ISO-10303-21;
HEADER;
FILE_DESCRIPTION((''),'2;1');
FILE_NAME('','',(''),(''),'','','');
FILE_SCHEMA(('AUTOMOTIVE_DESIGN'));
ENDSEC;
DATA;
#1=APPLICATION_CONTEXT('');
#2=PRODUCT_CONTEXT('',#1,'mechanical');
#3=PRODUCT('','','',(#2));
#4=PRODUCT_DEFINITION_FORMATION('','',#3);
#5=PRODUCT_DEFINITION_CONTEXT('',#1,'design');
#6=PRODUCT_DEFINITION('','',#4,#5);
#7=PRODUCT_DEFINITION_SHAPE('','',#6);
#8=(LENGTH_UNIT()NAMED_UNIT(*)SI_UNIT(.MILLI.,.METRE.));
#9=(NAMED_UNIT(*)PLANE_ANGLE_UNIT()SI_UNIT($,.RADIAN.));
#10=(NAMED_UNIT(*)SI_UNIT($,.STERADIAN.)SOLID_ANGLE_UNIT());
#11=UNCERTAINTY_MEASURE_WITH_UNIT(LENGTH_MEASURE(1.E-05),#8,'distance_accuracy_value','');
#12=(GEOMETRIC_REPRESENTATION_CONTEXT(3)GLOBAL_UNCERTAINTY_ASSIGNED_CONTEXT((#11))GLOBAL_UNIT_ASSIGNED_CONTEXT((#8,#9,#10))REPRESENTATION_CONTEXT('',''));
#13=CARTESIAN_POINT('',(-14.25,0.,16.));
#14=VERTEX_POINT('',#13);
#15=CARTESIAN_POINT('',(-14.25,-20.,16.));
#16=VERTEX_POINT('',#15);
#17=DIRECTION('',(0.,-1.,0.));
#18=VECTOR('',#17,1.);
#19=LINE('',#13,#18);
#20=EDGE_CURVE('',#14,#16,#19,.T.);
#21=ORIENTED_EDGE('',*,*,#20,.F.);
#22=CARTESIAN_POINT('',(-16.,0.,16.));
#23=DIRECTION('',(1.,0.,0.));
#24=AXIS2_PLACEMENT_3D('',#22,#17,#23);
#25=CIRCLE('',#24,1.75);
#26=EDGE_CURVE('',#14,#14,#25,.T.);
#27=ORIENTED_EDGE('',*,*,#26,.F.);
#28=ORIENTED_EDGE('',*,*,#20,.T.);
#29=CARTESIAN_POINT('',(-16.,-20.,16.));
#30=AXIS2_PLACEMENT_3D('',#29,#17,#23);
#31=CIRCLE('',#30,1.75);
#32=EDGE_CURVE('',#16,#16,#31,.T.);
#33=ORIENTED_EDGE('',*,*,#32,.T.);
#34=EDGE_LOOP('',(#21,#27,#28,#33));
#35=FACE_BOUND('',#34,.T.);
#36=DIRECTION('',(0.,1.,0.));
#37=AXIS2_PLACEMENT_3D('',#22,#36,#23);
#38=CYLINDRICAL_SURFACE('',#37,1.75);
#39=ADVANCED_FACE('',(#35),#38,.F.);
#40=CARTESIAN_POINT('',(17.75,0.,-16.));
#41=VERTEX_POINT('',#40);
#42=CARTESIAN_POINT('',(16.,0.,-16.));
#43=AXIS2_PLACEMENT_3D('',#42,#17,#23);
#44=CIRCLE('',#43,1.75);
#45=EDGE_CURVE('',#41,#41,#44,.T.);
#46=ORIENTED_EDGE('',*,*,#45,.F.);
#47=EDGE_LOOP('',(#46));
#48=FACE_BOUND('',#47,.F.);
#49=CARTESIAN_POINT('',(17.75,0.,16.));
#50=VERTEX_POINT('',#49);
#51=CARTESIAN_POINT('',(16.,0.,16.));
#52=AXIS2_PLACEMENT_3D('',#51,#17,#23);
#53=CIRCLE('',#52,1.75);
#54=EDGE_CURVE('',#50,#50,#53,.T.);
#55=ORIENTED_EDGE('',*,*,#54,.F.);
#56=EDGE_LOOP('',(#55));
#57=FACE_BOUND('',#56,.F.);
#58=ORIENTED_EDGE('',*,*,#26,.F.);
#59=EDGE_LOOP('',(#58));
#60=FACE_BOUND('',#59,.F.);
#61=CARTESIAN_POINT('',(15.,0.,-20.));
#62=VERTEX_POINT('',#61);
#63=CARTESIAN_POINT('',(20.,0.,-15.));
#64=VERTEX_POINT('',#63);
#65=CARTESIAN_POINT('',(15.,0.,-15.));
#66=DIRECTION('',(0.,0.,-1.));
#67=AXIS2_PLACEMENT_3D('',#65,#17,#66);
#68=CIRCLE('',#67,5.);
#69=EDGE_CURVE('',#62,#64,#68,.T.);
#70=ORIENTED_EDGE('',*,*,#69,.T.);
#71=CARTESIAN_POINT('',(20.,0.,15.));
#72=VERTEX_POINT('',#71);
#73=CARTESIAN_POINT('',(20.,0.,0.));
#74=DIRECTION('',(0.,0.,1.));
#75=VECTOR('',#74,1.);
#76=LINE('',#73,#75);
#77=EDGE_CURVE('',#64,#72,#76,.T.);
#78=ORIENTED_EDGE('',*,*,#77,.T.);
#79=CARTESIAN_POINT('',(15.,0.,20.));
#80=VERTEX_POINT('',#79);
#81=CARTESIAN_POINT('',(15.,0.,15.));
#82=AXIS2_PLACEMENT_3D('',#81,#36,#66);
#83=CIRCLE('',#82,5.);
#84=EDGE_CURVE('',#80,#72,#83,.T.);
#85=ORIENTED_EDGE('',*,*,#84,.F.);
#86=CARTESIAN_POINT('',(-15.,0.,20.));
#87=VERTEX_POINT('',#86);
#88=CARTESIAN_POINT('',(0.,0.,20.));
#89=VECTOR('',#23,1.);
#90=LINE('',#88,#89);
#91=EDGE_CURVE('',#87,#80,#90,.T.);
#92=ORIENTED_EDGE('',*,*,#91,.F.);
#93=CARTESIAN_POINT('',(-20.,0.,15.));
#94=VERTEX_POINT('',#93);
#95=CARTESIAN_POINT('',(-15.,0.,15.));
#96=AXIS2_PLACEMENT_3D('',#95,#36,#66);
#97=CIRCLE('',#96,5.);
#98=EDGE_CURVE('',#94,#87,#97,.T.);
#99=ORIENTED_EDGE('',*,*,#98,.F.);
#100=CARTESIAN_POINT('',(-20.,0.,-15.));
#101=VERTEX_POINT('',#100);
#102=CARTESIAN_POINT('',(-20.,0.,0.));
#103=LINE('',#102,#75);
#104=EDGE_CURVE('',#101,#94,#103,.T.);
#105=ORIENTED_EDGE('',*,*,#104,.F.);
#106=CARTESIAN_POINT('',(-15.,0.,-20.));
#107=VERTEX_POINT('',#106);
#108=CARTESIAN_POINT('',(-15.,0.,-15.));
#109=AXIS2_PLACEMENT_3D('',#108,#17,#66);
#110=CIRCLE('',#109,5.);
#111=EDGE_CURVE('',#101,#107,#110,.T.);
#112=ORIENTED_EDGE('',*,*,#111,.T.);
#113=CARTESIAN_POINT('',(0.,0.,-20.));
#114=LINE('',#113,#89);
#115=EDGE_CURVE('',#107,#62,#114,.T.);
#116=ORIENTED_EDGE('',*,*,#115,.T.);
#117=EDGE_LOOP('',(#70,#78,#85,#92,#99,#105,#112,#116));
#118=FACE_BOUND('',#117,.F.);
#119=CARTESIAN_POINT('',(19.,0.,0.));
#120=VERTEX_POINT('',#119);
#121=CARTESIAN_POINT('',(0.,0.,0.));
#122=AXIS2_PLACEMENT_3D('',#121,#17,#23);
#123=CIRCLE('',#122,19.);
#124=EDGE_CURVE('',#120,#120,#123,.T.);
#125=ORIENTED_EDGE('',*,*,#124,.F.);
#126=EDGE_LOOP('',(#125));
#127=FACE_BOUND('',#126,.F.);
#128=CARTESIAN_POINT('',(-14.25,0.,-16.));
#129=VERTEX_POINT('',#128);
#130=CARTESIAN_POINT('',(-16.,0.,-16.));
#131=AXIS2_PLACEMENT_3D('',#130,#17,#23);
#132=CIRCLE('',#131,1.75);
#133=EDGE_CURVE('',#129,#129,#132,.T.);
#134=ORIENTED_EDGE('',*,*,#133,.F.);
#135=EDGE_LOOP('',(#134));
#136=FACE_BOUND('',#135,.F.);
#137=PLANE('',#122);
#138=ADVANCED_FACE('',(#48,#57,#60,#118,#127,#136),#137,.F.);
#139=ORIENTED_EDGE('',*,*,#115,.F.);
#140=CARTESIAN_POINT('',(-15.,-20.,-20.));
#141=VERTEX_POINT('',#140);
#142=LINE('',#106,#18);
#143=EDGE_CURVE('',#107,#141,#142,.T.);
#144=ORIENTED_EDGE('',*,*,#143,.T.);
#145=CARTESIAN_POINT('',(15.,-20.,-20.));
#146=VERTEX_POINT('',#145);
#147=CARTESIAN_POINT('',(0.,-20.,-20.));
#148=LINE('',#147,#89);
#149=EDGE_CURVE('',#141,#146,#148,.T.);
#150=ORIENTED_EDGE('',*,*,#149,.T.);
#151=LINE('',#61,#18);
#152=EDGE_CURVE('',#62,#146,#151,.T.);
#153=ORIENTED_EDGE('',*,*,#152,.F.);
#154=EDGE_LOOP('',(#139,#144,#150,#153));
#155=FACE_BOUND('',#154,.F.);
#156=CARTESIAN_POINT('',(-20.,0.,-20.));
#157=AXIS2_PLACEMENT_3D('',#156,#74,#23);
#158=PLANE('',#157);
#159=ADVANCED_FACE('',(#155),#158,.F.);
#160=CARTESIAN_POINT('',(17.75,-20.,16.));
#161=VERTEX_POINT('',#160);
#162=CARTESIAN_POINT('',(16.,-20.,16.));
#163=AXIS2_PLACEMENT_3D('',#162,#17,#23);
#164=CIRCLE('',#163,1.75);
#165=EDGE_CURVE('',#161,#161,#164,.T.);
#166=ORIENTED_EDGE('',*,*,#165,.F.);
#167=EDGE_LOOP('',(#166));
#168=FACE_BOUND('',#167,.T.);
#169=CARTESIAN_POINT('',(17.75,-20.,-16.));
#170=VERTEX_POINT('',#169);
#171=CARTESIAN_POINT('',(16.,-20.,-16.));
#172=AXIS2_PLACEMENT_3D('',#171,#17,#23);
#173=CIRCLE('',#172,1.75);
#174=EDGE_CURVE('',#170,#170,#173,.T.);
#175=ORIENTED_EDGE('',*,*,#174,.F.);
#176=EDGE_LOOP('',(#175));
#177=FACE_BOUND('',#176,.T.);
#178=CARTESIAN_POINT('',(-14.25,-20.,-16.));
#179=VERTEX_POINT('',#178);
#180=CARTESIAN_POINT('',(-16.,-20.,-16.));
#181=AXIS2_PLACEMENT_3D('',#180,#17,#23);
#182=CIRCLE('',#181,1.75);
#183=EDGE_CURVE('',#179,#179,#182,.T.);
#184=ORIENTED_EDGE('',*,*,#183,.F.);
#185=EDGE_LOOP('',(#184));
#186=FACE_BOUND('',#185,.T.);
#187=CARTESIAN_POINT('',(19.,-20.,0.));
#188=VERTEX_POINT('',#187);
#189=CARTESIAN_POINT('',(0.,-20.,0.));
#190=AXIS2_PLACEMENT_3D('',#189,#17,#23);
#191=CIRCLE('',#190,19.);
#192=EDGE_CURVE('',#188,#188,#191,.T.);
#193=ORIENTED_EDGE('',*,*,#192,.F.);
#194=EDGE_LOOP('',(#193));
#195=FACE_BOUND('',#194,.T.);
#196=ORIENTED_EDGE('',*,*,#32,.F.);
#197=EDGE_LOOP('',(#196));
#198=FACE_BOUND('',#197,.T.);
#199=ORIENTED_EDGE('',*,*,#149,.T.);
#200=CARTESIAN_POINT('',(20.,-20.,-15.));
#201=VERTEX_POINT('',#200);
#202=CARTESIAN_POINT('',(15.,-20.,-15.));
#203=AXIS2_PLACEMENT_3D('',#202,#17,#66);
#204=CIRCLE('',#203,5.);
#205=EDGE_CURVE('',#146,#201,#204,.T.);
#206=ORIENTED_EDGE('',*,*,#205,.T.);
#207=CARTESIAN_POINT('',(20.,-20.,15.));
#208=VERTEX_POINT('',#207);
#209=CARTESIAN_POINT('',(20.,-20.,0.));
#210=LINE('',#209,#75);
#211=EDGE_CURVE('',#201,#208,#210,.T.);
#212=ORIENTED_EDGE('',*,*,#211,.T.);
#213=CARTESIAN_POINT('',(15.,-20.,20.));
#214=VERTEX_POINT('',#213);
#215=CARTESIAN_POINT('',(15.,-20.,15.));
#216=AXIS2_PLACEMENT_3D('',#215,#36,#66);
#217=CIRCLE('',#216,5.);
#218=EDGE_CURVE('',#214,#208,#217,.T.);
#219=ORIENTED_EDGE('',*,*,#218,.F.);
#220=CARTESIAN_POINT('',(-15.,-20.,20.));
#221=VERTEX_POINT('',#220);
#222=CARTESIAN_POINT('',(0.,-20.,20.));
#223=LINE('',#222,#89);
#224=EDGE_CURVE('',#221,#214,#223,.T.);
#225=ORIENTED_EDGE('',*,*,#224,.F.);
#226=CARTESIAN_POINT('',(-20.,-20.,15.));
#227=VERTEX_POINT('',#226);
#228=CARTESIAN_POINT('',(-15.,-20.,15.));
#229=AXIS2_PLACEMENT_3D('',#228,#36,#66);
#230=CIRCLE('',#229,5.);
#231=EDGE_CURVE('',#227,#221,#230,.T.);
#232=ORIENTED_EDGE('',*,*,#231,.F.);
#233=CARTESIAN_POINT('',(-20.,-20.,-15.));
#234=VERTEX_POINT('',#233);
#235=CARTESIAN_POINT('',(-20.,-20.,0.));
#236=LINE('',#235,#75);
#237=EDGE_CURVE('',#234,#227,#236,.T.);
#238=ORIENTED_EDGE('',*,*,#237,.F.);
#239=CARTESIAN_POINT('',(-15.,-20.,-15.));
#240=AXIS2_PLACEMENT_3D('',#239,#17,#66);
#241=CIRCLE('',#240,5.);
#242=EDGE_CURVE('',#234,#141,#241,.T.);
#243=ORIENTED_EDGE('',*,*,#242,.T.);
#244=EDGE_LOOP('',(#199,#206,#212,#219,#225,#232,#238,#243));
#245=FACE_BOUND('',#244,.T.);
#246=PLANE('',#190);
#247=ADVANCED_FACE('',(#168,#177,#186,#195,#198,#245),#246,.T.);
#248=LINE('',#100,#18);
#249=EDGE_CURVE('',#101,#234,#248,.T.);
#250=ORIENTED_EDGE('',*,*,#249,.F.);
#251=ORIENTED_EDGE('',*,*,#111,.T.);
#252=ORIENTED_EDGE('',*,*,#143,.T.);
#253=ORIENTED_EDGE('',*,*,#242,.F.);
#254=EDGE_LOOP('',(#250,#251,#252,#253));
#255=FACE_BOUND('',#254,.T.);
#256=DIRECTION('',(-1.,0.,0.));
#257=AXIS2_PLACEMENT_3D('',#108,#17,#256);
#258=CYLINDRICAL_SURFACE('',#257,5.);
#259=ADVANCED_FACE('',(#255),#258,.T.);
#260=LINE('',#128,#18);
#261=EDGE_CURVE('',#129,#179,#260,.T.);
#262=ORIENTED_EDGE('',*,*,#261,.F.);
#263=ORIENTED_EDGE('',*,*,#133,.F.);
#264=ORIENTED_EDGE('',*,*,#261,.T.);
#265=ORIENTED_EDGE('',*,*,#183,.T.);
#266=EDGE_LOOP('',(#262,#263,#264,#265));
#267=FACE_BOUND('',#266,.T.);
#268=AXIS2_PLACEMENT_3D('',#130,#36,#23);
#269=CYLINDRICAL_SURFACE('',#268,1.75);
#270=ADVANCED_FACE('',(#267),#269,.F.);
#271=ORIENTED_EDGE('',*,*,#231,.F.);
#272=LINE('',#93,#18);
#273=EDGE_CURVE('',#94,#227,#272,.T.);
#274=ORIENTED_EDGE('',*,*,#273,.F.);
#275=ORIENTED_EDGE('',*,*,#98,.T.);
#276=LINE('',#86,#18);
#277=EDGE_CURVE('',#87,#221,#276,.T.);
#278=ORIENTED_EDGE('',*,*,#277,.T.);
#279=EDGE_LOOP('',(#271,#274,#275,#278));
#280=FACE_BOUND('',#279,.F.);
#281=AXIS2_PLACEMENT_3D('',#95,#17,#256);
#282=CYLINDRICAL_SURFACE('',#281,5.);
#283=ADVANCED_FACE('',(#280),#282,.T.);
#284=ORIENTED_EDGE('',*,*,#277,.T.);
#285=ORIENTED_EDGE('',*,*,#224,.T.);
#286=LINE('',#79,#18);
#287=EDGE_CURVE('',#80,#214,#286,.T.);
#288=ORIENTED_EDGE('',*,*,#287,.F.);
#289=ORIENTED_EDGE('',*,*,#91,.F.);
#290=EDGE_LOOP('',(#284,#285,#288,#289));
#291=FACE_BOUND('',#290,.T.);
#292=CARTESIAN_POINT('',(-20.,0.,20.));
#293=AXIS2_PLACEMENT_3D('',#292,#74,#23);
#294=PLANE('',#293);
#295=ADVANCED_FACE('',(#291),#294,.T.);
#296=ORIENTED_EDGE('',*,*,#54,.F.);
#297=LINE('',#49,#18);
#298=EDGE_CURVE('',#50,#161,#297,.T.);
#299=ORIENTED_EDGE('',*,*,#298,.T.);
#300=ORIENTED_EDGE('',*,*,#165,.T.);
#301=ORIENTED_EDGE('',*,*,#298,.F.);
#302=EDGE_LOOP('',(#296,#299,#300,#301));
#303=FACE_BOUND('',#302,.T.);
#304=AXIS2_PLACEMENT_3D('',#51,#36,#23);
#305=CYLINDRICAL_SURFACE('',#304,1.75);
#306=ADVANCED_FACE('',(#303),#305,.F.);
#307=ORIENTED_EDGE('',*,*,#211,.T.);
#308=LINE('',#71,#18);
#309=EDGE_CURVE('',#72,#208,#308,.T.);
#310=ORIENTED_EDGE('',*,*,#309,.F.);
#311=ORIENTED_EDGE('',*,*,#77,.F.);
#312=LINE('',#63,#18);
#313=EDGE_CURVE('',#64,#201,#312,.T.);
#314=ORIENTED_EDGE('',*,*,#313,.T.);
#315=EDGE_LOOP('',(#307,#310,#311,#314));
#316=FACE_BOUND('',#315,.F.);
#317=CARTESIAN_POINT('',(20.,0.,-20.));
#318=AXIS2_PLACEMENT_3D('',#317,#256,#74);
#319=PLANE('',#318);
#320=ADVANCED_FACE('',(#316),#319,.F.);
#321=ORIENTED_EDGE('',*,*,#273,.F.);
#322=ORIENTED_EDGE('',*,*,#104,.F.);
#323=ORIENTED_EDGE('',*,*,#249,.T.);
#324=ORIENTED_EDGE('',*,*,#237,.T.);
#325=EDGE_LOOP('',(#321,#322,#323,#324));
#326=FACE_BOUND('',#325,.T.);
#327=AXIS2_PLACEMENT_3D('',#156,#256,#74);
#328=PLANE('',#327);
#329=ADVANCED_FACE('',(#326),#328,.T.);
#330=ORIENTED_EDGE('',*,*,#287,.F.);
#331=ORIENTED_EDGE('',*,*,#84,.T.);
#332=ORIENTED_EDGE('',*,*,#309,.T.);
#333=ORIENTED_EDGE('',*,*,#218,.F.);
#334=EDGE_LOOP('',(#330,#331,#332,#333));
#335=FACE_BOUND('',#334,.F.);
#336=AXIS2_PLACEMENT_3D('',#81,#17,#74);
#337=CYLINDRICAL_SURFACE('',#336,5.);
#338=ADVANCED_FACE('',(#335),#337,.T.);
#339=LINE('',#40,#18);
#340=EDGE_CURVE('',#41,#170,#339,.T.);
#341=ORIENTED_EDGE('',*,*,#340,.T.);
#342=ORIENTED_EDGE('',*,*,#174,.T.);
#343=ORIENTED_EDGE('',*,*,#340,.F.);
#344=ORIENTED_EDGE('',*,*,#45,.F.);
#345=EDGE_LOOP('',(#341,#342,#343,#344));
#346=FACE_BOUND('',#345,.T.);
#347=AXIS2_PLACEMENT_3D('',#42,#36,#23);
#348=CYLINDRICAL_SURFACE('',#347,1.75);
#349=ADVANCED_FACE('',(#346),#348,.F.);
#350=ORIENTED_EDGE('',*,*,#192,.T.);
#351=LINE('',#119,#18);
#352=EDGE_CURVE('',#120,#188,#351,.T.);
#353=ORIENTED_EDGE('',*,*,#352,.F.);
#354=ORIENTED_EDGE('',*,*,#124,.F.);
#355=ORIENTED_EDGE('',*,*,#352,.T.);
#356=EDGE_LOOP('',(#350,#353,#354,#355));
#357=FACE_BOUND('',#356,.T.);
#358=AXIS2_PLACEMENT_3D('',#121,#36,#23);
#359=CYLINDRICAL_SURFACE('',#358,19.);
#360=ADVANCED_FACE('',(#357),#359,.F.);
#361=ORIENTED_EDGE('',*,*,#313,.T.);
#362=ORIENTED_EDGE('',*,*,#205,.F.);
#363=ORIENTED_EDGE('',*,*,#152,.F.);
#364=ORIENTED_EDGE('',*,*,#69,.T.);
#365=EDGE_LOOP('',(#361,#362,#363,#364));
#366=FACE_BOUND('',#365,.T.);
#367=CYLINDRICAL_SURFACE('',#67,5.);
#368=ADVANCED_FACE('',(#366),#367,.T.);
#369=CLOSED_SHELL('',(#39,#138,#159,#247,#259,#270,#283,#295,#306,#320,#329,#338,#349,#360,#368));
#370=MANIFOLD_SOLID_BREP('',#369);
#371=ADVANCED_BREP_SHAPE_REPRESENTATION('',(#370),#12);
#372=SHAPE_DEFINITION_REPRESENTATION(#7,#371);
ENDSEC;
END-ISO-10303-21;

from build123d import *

# Parameters (mm, degrees)
F0_W     = 40
F0_H     = 40
F0_R     = 1.75
F0_R_2   = 19
F1_DEPTH = 20
F2_R     = 5


with BuildPart() as f1:
    # F0 (on Front) → F1 (new body)
    with BuildSketch(Plane.XZ):
        Rectangle(F0_W, F0_H)
        with Locations((-16, -16)):
            Circle(F0_R, mode=Mode.SUBTRACT)
        with Locations((16, -16)):
            Circle(F0_R, mode=Mode.SUBTRACT)
        with Locations((-16, 16)):
            Circle(F0_R, mode=Mode.SUBTRACT)
        Circle(F0_R_2, mode=Mode.SUBTRACT)
        with Locations((16, 16)):
            Circle(F0_R, mode=Mode.SUBTRACT)
    extrude(amount=F1_DEPTH)

    # F2
    f2_edges = [f1.edges().sort_by_distance(p)[0] for p in [
        (-20, -10, 20),
        (20, -10, 20),
        (20, -10, -20),
        (-20, -10, -20),
    ]]
    fillet(f2_edges, radius=F2_R)


solid = f1.part
